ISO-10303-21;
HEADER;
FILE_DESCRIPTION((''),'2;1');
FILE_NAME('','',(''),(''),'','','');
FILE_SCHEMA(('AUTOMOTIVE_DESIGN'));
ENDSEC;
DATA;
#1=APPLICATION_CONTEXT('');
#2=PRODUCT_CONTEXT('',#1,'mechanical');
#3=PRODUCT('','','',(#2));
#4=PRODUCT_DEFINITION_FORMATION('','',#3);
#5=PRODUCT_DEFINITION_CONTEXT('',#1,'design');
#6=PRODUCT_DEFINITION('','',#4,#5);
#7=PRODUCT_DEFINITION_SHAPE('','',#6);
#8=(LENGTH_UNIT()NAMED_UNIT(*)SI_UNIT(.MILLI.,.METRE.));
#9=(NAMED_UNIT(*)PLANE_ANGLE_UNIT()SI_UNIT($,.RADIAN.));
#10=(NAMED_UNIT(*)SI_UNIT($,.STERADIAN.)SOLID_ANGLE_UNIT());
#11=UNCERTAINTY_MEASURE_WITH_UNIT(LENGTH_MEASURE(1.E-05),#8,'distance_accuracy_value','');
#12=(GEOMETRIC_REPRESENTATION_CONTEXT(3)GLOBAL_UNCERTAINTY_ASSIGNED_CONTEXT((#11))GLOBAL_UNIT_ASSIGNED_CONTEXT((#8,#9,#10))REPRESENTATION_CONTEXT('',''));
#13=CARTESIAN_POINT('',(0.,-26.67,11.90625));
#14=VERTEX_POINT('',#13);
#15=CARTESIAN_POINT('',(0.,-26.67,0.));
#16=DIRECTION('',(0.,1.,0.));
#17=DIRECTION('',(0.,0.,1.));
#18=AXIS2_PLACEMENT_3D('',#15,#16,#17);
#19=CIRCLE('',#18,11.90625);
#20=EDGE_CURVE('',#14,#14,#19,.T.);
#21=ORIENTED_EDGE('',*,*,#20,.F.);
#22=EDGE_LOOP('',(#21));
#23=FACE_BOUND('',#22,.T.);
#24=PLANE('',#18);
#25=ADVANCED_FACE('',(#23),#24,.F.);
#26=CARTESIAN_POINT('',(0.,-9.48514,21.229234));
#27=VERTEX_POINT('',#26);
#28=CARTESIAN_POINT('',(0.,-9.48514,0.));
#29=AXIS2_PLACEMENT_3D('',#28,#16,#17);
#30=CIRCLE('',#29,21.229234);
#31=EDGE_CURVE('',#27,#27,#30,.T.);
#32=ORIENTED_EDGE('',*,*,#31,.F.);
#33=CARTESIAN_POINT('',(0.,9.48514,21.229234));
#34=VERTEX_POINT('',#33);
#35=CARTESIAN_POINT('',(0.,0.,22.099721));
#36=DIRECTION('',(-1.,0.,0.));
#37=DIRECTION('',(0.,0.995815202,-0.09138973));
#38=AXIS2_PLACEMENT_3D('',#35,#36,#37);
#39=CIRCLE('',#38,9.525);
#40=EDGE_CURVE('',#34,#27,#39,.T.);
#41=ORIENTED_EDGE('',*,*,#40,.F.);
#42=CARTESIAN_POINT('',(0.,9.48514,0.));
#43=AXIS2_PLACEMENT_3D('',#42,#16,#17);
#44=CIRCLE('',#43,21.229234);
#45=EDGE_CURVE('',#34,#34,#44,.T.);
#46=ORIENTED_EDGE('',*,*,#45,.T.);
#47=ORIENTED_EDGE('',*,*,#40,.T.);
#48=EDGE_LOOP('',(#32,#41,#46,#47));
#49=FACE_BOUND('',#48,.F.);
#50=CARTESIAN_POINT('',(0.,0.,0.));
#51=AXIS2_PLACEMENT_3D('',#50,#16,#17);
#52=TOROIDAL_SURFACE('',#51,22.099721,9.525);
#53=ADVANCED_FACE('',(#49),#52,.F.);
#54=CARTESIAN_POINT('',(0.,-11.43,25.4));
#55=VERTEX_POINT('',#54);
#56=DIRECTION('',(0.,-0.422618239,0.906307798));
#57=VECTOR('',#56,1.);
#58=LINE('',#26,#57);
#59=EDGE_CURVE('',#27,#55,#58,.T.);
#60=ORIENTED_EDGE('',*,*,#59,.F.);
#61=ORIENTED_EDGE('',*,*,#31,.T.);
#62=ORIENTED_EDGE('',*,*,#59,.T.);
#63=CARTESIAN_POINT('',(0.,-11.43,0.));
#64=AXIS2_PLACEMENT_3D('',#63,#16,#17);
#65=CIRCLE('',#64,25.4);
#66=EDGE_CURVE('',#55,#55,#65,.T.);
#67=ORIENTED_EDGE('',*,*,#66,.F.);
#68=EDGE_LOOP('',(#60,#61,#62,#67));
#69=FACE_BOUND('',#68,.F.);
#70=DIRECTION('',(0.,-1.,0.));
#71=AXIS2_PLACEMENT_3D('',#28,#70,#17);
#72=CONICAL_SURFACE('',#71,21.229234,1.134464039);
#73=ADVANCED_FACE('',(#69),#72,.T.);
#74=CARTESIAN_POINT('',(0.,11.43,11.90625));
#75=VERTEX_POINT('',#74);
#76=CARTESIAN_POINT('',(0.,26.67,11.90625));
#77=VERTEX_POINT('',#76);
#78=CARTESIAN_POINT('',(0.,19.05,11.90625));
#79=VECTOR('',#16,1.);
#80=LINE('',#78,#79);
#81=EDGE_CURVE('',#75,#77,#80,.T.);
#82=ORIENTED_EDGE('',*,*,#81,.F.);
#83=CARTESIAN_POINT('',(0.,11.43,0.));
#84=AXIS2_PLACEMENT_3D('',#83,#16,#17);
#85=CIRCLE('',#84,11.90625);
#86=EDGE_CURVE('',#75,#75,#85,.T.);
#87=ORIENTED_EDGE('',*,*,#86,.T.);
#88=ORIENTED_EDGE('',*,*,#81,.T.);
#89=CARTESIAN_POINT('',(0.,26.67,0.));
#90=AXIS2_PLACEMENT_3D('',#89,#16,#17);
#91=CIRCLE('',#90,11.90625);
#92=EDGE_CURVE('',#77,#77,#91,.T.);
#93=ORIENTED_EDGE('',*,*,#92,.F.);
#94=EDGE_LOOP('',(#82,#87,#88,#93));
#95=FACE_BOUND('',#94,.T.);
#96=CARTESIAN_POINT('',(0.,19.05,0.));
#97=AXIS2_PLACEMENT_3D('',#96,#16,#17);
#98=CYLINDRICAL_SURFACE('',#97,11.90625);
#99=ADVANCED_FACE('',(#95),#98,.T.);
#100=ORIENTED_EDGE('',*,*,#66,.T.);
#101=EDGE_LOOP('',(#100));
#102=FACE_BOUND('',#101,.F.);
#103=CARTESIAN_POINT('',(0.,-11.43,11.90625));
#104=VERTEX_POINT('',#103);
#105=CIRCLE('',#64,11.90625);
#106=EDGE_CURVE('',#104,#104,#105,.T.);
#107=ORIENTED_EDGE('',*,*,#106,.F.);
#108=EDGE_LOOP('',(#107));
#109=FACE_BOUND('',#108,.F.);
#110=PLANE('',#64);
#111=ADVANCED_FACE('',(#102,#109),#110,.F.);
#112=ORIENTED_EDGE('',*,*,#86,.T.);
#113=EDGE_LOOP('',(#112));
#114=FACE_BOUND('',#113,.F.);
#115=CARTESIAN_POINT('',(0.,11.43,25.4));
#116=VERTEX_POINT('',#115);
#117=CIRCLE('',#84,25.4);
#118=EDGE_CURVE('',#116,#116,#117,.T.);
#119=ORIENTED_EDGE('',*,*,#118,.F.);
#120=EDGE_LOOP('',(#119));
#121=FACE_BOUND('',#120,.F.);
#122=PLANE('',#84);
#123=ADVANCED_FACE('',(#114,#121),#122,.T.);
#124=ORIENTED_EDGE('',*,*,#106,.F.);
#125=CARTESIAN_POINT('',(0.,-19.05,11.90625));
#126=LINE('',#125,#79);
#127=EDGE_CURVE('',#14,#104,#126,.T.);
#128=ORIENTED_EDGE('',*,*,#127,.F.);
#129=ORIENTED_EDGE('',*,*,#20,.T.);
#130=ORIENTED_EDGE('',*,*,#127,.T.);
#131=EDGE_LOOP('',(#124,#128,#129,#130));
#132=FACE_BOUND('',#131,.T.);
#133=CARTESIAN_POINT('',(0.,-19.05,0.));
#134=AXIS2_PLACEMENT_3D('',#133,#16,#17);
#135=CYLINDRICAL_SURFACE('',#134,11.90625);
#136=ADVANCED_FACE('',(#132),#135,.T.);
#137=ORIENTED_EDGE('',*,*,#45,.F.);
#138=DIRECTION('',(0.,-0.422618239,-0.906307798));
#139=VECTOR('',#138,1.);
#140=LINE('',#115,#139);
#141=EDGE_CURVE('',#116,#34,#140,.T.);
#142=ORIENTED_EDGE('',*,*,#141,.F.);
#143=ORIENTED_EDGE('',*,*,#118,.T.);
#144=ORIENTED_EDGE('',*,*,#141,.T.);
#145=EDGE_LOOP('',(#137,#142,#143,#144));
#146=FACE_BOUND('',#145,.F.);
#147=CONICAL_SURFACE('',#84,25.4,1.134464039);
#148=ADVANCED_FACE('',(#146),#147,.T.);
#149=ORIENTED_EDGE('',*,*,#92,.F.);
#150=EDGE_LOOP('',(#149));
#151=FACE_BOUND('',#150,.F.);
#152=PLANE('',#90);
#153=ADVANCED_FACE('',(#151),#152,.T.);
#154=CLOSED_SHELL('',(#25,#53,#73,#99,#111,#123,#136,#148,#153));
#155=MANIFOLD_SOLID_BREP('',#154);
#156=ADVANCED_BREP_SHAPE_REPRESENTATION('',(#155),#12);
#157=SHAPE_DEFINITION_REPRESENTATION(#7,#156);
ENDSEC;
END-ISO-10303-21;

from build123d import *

# Parameters (mm, degrees)
F0_W = 15.24
F0_H = 11.90625


with BuildPart() as f1:
    # F0 (on Right) → F1 (revolve)
    with BuildSketch(Plane.YZ):
        with Locations((-19.05, 5.953125)):
            Rectangle(F0_W, F0_H)
        with BuildLine():
            Line((-9.48514, 21.229234), (-11.43, 25.4))
            Line((-11.43, 25.4), (-11.43, 11.90625))
            Line((-11.43, 11.90625), (-11.43, 0))
            Line((-11.43, 0), (11.43, 0))
            Line((11.43, 0), (11.43, 11.90625))
            Line((11.43, 11.90625), (11.43, 25.4))
            Line((11.43, 25.4), (9.48514, 21.229234))
            ThreePointArc((9.48514, 21.229234), (0, 12.574721), (-9.48514, 21.229234))
        make_face()
        with Locations((19.05, 5.953125)):
            Rectangle(F0_W, F0_H)
    revolve(axis=Axis((0, 0, 0), (0, 1, 0)))


solid = f1.part
